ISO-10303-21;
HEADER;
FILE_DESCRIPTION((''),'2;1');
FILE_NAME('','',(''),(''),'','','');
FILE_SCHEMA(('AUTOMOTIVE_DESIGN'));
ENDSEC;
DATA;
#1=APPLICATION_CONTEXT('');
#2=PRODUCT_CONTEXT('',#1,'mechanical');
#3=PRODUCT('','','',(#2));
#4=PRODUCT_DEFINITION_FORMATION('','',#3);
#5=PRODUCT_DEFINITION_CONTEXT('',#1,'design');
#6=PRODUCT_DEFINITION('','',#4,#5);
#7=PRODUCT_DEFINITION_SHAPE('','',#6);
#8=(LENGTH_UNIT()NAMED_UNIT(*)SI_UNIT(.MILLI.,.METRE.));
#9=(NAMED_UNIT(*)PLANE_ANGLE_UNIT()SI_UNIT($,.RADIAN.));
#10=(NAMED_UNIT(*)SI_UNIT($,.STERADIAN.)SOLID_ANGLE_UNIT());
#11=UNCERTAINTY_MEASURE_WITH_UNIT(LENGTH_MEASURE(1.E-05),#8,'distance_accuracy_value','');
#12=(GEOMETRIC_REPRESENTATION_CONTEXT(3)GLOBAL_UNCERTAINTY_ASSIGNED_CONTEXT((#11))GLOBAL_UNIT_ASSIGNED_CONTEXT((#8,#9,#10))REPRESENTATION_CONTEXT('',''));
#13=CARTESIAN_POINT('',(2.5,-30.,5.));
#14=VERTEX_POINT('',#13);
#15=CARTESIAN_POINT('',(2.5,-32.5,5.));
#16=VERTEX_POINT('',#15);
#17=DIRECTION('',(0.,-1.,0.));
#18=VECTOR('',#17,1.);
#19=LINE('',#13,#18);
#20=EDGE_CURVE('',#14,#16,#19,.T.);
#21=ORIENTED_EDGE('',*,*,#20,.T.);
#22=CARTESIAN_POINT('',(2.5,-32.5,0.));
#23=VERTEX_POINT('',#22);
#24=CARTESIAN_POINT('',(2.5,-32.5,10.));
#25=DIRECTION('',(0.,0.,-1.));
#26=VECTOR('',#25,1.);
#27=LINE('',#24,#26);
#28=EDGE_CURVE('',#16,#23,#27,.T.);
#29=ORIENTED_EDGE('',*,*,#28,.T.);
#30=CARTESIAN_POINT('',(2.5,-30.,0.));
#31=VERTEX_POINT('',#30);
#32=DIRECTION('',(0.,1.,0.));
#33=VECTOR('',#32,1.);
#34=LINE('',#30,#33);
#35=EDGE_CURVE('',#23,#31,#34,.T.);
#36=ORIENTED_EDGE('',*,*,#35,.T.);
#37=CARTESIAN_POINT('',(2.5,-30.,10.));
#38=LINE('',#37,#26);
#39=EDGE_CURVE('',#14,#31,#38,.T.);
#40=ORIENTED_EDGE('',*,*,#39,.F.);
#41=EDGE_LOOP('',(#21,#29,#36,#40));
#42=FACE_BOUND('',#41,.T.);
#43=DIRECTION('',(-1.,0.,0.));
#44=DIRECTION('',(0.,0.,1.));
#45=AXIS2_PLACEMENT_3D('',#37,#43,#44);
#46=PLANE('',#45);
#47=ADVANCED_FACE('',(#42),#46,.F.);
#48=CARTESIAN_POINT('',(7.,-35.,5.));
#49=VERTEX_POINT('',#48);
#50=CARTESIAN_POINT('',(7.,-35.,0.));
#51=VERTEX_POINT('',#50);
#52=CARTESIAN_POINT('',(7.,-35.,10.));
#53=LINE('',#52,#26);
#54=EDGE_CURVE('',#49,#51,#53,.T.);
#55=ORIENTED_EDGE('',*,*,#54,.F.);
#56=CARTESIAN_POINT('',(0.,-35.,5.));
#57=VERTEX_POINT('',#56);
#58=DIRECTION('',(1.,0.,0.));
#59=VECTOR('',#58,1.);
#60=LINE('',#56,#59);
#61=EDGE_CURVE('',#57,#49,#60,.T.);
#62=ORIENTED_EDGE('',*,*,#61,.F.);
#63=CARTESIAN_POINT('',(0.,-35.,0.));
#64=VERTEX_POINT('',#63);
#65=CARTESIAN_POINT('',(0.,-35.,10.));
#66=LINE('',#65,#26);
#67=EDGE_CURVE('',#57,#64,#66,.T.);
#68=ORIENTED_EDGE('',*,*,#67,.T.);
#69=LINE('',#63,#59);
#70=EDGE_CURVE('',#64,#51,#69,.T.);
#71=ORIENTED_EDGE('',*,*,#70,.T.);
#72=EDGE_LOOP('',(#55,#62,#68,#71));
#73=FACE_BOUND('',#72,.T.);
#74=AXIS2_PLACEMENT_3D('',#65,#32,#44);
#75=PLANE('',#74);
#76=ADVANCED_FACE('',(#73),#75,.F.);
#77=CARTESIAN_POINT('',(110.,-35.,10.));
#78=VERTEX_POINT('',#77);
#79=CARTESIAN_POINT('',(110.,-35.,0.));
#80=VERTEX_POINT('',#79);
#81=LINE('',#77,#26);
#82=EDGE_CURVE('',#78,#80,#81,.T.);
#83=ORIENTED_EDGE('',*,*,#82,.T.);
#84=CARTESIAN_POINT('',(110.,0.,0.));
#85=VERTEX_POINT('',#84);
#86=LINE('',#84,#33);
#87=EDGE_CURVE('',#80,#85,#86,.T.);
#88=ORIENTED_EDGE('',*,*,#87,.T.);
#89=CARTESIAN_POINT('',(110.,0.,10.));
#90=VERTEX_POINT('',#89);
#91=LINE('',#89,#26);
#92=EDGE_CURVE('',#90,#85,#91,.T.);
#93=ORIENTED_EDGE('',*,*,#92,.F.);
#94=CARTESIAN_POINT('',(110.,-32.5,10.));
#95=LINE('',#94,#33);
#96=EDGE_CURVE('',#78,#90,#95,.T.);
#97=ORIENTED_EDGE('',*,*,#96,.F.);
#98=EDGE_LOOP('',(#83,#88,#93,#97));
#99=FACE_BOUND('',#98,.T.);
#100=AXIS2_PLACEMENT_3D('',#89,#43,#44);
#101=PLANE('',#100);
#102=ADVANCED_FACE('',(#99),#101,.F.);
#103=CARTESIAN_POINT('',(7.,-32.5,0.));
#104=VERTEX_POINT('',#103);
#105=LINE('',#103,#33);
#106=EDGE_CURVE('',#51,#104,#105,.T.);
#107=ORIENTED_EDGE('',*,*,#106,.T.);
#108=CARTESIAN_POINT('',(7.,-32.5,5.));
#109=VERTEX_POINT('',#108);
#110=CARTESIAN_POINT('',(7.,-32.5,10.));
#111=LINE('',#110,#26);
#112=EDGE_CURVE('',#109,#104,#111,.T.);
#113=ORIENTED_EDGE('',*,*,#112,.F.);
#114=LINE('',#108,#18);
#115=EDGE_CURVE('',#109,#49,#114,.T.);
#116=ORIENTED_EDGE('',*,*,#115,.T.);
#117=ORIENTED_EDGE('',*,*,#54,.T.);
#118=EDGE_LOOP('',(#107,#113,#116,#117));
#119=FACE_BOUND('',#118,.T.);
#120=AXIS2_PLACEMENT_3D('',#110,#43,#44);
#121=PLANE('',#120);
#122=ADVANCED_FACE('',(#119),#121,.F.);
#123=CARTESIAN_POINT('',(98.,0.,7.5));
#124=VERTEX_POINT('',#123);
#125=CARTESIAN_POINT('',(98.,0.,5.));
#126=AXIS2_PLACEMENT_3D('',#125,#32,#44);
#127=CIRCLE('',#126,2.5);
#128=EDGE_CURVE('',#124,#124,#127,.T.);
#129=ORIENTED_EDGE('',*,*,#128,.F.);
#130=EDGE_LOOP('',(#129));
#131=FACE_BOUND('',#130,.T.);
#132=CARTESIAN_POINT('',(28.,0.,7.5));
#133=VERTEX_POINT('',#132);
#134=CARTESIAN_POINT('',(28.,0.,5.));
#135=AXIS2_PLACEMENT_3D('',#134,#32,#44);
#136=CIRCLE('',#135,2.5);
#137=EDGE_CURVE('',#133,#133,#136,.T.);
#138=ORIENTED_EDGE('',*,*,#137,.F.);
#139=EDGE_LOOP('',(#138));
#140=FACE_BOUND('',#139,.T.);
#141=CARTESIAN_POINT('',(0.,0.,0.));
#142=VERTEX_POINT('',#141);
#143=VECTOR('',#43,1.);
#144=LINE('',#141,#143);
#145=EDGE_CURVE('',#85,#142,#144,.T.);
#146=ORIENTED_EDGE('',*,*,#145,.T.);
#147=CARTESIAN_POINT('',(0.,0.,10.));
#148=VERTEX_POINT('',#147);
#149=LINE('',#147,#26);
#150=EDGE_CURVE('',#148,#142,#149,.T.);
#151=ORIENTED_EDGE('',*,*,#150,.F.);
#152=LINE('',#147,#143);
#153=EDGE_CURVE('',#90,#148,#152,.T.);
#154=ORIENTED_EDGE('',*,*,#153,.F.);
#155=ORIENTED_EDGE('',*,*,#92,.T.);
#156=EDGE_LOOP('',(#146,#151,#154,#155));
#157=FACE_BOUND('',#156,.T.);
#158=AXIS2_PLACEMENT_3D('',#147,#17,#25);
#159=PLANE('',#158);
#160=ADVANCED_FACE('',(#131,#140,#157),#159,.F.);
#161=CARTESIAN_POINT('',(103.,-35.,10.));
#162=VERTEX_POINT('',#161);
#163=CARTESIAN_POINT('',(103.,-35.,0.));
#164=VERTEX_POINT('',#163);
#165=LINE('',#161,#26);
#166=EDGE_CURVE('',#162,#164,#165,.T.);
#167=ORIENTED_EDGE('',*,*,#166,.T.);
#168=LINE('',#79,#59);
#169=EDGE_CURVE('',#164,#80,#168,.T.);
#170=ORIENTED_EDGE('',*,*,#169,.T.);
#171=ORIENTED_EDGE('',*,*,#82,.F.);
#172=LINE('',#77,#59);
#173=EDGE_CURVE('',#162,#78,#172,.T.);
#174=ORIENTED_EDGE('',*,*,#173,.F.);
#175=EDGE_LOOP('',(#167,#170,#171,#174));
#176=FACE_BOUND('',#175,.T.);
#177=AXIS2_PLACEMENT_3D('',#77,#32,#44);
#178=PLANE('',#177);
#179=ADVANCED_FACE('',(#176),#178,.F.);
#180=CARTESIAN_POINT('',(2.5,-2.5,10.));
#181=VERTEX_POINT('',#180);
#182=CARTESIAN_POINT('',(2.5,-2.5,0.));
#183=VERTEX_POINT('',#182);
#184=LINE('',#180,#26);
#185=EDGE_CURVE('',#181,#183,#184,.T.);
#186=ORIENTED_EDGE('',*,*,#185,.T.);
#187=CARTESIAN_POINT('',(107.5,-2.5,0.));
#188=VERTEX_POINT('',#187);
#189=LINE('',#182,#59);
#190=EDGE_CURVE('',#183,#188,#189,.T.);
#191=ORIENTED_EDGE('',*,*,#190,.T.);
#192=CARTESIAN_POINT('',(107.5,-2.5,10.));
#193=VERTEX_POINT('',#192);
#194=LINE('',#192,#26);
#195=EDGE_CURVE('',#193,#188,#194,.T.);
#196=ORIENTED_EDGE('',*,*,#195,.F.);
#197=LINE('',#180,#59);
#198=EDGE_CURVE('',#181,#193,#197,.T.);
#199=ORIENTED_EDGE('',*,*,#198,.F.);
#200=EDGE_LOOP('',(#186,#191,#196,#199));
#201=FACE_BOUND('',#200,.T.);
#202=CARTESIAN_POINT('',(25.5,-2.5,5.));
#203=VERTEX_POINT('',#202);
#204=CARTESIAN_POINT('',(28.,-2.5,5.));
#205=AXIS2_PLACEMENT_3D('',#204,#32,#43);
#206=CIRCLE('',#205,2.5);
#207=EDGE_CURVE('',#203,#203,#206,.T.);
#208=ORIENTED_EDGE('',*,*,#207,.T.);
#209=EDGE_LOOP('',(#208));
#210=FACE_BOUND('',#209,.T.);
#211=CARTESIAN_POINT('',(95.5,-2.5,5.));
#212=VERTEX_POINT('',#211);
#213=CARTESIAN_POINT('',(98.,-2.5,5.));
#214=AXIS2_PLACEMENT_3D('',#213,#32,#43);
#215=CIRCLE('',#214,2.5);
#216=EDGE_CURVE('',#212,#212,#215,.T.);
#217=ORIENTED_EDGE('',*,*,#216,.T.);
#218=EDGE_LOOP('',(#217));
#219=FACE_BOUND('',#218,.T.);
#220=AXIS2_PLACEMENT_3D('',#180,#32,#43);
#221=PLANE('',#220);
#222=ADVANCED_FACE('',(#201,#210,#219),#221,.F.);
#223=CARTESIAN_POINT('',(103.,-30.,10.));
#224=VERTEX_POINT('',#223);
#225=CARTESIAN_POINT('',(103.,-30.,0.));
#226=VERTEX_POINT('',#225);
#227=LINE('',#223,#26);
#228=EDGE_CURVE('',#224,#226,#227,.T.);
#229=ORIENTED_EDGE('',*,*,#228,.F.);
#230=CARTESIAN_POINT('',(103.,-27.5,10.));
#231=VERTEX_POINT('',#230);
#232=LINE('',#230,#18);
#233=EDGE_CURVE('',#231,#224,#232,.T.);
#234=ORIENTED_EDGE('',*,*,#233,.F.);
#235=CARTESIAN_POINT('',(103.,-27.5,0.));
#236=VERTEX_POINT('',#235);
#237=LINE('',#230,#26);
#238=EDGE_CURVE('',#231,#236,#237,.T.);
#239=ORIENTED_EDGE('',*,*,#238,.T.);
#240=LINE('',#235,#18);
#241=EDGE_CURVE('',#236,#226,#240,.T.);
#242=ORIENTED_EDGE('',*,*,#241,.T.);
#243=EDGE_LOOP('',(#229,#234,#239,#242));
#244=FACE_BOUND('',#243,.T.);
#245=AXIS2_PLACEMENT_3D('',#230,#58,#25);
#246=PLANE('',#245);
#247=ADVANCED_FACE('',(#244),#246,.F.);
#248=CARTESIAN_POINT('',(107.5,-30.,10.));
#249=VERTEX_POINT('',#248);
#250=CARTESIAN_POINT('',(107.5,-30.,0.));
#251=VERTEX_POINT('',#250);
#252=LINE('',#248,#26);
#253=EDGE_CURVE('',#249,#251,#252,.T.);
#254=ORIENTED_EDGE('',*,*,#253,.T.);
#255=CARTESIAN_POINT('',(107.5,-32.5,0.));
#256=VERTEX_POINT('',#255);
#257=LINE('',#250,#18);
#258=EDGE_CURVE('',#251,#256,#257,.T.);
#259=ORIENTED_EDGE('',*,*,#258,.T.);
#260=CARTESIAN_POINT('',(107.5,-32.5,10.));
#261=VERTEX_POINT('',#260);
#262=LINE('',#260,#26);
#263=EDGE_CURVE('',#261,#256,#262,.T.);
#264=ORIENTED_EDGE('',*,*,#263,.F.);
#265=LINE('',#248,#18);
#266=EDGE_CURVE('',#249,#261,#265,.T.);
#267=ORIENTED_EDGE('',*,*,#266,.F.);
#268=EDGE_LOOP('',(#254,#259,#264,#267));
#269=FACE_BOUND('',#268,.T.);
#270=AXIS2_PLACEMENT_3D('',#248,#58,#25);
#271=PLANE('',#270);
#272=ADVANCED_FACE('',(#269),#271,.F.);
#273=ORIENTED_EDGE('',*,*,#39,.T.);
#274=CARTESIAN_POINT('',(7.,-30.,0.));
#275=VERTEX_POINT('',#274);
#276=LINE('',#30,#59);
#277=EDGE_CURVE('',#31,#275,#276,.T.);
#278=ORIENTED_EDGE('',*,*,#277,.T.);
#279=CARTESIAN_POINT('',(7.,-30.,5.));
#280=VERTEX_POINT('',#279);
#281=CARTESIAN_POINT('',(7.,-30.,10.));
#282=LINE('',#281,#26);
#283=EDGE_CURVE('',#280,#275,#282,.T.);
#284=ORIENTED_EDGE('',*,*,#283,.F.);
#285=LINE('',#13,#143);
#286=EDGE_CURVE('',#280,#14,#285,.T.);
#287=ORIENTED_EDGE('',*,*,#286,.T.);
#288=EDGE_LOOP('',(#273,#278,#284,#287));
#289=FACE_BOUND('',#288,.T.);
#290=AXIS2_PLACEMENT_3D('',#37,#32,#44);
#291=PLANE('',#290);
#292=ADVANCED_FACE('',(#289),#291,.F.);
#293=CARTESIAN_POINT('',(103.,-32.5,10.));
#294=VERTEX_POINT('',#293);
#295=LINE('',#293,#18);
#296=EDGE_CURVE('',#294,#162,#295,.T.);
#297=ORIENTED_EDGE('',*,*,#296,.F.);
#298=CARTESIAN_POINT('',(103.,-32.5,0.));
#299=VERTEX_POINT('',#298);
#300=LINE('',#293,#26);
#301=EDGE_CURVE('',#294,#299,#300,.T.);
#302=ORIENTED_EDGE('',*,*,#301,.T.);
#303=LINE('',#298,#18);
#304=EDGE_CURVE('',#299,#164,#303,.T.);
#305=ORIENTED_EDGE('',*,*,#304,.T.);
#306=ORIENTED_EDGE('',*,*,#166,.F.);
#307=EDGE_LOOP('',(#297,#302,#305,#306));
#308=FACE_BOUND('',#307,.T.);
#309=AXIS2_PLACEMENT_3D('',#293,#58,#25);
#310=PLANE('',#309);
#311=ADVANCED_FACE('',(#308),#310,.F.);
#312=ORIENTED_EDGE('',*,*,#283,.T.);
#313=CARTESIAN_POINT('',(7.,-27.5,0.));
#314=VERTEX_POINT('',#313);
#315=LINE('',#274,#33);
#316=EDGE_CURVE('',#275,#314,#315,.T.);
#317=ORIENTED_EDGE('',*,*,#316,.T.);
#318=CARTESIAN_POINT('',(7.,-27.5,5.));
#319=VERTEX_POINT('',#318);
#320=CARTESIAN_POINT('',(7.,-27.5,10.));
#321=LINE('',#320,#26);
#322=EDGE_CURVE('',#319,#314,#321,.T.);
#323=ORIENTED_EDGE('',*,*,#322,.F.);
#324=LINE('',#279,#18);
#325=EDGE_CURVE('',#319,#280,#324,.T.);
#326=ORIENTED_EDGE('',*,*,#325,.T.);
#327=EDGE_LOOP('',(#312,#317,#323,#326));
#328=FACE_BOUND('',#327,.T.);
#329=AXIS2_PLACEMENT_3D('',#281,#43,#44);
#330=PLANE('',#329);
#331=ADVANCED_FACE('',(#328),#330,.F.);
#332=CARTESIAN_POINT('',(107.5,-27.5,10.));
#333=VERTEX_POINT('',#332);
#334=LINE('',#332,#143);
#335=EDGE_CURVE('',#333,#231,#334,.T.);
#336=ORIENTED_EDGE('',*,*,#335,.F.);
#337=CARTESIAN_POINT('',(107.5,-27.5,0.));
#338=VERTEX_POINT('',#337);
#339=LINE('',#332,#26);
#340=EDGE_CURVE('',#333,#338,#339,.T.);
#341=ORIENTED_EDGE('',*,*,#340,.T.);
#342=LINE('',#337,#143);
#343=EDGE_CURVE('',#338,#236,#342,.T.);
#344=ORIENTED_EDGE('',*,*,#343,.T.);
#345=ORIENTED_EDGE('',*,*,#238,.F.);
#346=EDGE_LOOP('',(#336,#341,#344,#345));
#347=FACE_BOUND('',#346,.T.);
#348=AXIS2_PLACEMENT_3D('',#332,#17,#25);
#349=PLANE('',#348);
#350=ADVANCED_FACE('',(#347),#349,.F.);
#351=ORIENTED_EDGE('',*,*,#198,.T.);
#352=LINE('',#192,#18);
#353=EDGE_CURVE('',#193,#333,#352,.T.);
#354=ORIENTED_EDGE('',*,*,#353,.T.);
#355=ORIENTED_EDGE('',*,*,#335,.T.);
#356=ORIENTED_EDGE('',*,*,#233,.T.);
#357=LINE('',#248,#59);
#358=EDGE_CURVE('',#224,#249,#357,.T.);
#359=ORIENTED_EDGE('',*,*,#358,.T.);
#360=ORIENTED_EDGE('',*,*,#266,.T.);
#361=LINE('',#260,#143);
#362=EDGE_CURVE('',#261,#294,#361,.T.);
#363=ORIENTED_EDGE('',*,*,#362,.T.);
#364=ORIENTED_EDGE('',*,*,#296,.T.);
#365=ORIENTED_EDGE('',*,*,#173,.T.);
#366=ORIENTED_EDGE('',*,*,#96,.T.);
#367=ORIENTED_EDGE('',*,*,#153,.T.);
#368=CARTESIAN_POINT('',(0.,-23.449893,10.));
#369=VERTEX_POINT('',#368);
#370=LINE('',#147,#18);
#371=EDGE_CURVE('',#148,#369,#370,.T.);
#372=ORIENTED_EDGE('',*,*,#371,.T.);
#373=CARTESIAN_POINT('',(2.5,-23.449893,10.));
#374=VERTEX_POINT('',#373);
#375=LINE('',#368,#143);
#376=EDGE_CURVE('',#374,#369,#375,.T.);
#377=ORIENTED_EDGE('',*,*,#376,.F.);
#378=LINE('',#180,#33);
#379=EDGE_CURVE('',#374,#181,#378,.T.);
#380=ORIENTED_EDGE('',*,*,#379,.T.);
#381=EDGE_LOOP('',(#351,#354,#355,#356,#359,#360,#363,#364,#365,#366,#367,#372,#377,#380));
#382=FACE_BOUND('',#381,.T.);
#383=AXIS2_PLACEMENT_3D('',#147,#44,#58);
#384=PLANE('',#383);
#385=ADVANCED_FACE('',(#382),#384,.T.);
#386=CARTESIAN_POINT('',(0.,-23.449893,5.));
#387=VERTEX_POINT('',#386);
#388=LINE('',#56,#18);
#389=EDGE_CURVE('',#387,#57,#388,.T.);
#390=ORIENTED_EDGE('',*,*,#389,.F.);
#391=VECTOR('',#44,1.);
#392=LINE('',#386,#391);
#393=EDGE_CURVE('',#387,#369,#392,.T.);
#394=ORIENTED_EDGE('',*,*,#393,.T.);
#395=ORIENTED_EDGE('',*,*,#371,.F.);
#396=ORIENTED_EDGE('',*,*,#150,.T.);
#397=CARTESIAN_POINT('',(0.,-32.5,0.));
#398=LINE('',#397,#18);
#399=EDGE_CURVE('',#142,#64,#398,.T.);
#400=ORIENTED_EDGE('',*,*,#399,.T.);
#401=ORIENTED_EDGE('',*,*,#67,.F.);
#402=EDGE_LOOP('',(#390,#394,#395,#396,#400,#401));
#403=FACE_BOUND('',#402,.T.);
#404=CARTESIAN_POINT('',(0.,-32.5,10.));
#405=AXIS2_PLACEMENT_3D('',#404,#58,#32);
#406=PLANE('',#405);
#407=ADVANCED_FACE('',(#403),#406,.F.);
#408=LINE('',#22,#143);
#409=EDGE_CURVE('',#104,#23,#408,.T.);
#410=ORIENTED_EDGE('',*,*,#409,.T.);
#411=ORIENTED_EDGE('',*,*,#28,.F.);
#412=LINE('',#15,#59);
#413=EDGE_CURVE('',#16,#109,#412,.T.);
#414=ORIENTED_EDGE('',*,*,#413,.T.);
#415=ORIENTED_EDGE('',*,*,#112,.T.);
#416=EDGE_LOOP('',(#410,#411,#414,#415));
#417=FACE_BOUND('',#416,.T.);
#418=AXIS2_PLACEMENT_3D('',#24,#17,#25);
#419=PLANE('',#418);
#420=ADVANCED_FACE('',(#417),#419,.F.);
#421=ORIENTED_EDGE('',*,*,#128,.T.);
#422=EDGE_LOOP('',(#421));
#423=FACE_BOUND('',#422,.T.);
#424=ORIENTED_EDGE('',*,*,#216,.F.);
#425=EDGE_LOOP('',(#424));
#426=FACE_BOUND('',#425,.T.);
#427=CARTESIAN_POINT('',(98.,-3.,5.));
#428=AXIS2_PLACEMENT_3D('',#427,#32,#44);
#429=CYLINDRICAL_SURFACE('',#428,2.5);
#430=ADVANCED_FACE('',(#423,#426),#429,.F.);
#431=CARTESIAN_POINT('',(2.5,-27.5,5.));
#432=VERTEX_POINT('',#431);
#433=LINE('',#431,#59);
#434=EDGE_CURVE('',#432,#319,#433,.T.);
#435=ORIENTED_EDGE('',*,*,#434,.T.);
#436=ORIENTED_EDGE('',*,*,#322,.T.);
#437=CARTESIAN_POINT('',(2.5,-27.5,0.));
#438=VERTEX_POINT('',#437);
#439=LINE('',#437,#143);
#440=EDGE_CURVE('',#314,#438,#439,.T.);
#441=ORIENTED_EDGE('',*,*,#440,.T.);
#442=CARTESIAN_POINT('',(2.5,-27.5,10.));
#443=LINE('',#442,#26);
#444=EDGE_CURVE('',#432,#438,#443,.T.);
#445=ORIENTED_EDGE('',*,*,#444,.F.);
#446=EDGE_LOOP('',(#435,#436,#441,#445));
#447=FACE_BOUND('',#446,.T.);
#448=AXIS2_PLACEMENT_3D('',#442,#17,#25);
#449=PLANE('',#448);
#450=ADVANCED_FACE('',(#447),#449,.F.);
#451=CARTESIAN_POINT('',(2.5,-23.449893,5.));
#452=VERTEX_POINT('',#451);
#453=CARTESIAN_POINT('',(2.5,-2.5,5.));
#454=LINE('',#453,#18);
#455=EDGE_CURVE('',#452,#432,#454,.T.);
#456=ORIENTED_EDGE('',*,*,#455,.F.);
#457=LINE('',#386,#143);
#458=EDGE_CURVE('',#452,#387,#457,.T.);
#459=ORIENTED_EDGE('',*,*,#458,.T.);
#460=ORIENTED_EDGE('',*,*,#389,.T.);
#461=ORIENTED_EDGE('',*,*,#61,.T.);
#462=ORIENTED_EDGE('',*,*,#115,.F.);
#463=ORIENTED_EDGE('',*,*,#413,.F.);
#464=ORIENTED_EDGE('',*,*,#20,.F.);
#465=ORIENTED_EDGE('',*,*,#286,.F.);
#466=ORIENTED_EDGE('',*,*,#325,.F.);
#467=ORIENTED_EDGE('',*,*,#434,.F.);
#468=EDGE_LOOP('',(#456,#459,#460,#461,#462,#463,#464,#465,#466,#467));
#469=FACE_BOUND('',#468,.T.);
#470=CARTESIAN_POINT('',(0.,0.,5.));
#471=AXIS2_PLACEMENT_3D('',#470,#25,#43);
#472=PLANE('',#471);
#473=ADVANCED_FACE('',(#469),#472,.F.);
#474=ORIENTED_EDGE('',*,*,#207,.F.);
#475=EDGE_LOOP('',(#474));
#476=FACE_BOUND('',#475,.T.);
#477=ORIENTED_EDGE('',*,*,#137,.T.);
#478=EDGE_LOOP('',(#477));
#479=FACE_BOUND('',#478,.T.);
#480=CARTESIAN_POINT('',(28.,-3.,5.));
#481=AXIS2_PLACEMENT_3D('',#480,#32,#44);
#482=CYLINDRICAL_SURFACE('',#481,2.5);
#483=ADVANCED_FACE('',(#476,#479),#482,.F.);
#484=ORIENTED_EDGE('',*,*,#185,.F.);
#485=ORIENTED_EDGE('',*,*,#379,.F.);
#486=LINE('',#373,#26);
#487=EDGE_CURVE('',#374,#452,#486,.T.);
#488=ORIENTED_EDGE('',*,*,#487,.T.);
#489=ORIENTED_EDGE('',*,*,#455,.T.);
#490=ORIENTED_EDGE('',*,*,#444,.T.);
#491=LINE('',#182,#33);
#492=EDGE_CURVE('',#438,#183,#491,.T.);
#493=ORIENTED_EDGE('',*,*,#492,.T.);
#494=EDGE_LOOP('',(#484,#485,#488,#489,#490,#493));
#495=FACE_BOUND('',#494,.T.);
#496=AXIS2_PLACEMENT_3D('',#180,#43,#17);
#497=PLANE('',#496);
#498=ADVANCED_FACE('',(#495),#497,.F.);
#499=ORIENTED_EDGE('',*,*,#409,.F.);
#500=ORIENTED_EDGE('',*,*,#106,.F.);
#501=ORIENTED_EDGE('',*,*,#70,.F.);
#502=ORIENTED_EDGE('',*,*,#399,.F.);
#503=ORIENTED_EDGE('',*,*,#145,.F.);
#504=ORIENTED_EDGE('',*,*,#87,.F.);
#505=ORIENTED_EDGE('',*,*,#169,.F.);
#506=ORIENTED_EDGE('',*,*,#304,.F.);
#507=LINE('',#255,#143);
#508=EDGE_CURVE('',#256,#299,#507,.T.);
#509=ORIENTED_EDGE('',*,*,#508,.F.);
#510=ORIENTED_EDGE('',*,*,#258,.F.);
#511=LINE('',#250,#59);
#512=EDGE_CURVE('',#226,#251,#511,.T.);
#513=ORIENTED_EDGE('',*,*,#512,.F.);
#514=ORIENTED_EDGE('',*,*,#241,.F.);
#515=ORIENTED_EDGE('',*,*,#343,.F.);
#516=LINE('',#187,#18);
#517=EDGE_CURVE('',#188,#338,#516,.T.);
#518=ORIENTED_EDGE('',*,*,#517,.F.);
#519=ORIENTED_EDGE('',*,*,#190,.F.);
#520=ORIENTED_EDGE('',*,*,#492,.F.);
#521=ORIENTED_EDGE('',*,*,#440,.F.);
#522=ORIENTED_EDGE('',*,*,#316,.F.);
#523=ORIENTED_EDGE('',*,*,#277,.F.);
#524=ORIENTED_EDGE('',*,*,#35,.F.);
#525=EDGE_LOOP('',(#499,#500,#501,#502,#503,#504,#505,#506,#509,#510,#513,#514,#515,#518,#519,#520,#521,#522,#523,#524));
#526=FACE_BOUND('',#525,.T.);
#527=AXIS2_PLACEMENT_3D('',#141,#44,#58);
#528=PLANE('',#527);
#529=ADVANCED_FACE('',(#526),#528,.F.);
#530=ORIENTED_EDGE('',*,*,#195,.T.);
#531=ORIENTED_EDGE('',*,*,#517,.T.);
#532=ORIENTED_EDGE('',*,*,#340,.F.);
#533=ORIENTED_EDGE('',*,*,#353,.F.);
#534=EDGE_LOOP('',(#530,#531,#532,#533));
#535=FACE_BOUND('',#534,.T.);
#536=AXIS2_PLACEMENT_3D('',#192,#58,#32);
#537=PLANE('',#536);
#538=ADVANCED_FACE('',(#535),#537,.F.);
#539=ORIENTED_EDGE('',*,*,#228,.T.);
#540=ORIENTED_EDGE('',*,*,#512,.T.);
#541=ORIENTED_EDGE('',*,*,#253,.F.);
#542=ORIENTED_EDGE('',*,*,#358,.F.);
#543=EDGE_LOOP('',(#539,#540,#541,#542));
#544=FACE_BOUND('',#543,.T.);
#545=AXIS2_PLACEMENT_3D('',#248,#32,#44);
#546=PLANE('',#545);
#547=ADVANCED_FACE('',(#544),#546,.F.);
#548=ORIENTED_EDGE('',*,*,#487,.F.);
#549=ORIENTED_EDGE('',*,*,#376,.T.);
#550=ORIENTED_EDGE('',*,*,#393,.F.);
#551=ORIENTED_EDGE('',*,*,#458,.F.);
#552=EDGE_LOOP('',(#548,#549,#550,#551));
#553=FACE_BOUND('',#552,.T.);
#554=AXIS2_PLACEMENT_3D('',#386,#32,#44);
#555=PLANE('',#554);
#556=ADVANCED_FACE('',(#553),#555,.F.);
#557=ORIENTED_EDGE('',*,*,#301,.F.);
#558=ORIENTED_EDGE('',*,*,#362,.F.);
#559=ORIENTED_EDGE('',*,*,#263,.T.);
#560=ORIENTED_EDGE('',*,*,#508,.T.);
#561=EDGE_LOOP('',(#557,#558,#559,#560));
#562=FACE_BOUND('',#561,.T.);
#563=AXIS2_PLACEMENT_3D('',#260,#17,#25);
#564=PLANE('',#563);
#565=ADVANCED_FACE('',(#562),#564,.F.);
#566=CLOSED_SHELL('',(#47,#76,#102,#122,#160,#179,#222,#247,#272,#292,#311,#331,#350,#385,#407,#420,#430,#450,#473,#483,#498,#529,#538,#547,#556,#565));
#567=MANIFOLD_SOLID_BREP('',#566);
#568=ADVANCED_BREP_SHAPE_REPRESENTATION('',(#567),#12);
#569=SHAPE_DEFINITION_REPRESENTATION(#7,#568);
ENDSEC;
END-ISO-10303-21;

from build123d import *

# Parameters (mm, degrees)
BOSS_EXTRUDE1_DEPTH = 10
SKETCH2_W           = 7.883034156
SKETCH2_H           = 11.550106774
CUT_EXTRUDE1_DEPTH  = 5
SKETCH3_R           = 2.5
CUT_EXTRUDE2_DEPTH  = 3


with BuildPart() as part:
    # Sketch1 → Boss-Extrude1 (new body)
    with BuildSketch(Plane.XY):
        Polygon((2.5, -30), (2.5, -32.5), (7, -32.5), (7, -35), (0, -35), (0, -32.5), (0, -2.5), (0, 0), (110, 0), (110, -2.5), (110, -32.5), (110, -35), (103, -35), (103, -32.5), (107.5, -32.5), (107.5, -30), (103, -30), (103, -27.5), (107.5, -27.5), (107.5, -2.5), (2.5, -2.5), (2.5, -27.5), (7, -27.5), (7, -30), align=None)
    extrude(amount=BOSS_EXTRUDE1_DEPTH)

    # Sketch2 → Cut-Extrude1 (cut)
    with BuildSketch(Plane.XY.offset(10)):
        with Locations((3.941517078, -29.224946613)):
            Rectangle(SKETCH2_W, SKETCH2_H)
    extrude(amount=-CUT_EXTRUDE1_DEPTH, mode=Mode.SUBTRACT)

    # Sketch3 → Cut-Extrude2 (cut)
    with BuildSketch(Plane(origin=(0, 0, 0), x_dir=(1, 0, 0), z_dir=(0, 1, 0))):
        with Locations((98, -5)):
            Circle(SKETCH3_R)
        with Locations((28, -5)):
            Circle(SKETCH3_R)
    extrude(amount=-CUT_EXTRUDE2_DEPTH, mode=Mode.SUBTRACT)


solid = part.part
